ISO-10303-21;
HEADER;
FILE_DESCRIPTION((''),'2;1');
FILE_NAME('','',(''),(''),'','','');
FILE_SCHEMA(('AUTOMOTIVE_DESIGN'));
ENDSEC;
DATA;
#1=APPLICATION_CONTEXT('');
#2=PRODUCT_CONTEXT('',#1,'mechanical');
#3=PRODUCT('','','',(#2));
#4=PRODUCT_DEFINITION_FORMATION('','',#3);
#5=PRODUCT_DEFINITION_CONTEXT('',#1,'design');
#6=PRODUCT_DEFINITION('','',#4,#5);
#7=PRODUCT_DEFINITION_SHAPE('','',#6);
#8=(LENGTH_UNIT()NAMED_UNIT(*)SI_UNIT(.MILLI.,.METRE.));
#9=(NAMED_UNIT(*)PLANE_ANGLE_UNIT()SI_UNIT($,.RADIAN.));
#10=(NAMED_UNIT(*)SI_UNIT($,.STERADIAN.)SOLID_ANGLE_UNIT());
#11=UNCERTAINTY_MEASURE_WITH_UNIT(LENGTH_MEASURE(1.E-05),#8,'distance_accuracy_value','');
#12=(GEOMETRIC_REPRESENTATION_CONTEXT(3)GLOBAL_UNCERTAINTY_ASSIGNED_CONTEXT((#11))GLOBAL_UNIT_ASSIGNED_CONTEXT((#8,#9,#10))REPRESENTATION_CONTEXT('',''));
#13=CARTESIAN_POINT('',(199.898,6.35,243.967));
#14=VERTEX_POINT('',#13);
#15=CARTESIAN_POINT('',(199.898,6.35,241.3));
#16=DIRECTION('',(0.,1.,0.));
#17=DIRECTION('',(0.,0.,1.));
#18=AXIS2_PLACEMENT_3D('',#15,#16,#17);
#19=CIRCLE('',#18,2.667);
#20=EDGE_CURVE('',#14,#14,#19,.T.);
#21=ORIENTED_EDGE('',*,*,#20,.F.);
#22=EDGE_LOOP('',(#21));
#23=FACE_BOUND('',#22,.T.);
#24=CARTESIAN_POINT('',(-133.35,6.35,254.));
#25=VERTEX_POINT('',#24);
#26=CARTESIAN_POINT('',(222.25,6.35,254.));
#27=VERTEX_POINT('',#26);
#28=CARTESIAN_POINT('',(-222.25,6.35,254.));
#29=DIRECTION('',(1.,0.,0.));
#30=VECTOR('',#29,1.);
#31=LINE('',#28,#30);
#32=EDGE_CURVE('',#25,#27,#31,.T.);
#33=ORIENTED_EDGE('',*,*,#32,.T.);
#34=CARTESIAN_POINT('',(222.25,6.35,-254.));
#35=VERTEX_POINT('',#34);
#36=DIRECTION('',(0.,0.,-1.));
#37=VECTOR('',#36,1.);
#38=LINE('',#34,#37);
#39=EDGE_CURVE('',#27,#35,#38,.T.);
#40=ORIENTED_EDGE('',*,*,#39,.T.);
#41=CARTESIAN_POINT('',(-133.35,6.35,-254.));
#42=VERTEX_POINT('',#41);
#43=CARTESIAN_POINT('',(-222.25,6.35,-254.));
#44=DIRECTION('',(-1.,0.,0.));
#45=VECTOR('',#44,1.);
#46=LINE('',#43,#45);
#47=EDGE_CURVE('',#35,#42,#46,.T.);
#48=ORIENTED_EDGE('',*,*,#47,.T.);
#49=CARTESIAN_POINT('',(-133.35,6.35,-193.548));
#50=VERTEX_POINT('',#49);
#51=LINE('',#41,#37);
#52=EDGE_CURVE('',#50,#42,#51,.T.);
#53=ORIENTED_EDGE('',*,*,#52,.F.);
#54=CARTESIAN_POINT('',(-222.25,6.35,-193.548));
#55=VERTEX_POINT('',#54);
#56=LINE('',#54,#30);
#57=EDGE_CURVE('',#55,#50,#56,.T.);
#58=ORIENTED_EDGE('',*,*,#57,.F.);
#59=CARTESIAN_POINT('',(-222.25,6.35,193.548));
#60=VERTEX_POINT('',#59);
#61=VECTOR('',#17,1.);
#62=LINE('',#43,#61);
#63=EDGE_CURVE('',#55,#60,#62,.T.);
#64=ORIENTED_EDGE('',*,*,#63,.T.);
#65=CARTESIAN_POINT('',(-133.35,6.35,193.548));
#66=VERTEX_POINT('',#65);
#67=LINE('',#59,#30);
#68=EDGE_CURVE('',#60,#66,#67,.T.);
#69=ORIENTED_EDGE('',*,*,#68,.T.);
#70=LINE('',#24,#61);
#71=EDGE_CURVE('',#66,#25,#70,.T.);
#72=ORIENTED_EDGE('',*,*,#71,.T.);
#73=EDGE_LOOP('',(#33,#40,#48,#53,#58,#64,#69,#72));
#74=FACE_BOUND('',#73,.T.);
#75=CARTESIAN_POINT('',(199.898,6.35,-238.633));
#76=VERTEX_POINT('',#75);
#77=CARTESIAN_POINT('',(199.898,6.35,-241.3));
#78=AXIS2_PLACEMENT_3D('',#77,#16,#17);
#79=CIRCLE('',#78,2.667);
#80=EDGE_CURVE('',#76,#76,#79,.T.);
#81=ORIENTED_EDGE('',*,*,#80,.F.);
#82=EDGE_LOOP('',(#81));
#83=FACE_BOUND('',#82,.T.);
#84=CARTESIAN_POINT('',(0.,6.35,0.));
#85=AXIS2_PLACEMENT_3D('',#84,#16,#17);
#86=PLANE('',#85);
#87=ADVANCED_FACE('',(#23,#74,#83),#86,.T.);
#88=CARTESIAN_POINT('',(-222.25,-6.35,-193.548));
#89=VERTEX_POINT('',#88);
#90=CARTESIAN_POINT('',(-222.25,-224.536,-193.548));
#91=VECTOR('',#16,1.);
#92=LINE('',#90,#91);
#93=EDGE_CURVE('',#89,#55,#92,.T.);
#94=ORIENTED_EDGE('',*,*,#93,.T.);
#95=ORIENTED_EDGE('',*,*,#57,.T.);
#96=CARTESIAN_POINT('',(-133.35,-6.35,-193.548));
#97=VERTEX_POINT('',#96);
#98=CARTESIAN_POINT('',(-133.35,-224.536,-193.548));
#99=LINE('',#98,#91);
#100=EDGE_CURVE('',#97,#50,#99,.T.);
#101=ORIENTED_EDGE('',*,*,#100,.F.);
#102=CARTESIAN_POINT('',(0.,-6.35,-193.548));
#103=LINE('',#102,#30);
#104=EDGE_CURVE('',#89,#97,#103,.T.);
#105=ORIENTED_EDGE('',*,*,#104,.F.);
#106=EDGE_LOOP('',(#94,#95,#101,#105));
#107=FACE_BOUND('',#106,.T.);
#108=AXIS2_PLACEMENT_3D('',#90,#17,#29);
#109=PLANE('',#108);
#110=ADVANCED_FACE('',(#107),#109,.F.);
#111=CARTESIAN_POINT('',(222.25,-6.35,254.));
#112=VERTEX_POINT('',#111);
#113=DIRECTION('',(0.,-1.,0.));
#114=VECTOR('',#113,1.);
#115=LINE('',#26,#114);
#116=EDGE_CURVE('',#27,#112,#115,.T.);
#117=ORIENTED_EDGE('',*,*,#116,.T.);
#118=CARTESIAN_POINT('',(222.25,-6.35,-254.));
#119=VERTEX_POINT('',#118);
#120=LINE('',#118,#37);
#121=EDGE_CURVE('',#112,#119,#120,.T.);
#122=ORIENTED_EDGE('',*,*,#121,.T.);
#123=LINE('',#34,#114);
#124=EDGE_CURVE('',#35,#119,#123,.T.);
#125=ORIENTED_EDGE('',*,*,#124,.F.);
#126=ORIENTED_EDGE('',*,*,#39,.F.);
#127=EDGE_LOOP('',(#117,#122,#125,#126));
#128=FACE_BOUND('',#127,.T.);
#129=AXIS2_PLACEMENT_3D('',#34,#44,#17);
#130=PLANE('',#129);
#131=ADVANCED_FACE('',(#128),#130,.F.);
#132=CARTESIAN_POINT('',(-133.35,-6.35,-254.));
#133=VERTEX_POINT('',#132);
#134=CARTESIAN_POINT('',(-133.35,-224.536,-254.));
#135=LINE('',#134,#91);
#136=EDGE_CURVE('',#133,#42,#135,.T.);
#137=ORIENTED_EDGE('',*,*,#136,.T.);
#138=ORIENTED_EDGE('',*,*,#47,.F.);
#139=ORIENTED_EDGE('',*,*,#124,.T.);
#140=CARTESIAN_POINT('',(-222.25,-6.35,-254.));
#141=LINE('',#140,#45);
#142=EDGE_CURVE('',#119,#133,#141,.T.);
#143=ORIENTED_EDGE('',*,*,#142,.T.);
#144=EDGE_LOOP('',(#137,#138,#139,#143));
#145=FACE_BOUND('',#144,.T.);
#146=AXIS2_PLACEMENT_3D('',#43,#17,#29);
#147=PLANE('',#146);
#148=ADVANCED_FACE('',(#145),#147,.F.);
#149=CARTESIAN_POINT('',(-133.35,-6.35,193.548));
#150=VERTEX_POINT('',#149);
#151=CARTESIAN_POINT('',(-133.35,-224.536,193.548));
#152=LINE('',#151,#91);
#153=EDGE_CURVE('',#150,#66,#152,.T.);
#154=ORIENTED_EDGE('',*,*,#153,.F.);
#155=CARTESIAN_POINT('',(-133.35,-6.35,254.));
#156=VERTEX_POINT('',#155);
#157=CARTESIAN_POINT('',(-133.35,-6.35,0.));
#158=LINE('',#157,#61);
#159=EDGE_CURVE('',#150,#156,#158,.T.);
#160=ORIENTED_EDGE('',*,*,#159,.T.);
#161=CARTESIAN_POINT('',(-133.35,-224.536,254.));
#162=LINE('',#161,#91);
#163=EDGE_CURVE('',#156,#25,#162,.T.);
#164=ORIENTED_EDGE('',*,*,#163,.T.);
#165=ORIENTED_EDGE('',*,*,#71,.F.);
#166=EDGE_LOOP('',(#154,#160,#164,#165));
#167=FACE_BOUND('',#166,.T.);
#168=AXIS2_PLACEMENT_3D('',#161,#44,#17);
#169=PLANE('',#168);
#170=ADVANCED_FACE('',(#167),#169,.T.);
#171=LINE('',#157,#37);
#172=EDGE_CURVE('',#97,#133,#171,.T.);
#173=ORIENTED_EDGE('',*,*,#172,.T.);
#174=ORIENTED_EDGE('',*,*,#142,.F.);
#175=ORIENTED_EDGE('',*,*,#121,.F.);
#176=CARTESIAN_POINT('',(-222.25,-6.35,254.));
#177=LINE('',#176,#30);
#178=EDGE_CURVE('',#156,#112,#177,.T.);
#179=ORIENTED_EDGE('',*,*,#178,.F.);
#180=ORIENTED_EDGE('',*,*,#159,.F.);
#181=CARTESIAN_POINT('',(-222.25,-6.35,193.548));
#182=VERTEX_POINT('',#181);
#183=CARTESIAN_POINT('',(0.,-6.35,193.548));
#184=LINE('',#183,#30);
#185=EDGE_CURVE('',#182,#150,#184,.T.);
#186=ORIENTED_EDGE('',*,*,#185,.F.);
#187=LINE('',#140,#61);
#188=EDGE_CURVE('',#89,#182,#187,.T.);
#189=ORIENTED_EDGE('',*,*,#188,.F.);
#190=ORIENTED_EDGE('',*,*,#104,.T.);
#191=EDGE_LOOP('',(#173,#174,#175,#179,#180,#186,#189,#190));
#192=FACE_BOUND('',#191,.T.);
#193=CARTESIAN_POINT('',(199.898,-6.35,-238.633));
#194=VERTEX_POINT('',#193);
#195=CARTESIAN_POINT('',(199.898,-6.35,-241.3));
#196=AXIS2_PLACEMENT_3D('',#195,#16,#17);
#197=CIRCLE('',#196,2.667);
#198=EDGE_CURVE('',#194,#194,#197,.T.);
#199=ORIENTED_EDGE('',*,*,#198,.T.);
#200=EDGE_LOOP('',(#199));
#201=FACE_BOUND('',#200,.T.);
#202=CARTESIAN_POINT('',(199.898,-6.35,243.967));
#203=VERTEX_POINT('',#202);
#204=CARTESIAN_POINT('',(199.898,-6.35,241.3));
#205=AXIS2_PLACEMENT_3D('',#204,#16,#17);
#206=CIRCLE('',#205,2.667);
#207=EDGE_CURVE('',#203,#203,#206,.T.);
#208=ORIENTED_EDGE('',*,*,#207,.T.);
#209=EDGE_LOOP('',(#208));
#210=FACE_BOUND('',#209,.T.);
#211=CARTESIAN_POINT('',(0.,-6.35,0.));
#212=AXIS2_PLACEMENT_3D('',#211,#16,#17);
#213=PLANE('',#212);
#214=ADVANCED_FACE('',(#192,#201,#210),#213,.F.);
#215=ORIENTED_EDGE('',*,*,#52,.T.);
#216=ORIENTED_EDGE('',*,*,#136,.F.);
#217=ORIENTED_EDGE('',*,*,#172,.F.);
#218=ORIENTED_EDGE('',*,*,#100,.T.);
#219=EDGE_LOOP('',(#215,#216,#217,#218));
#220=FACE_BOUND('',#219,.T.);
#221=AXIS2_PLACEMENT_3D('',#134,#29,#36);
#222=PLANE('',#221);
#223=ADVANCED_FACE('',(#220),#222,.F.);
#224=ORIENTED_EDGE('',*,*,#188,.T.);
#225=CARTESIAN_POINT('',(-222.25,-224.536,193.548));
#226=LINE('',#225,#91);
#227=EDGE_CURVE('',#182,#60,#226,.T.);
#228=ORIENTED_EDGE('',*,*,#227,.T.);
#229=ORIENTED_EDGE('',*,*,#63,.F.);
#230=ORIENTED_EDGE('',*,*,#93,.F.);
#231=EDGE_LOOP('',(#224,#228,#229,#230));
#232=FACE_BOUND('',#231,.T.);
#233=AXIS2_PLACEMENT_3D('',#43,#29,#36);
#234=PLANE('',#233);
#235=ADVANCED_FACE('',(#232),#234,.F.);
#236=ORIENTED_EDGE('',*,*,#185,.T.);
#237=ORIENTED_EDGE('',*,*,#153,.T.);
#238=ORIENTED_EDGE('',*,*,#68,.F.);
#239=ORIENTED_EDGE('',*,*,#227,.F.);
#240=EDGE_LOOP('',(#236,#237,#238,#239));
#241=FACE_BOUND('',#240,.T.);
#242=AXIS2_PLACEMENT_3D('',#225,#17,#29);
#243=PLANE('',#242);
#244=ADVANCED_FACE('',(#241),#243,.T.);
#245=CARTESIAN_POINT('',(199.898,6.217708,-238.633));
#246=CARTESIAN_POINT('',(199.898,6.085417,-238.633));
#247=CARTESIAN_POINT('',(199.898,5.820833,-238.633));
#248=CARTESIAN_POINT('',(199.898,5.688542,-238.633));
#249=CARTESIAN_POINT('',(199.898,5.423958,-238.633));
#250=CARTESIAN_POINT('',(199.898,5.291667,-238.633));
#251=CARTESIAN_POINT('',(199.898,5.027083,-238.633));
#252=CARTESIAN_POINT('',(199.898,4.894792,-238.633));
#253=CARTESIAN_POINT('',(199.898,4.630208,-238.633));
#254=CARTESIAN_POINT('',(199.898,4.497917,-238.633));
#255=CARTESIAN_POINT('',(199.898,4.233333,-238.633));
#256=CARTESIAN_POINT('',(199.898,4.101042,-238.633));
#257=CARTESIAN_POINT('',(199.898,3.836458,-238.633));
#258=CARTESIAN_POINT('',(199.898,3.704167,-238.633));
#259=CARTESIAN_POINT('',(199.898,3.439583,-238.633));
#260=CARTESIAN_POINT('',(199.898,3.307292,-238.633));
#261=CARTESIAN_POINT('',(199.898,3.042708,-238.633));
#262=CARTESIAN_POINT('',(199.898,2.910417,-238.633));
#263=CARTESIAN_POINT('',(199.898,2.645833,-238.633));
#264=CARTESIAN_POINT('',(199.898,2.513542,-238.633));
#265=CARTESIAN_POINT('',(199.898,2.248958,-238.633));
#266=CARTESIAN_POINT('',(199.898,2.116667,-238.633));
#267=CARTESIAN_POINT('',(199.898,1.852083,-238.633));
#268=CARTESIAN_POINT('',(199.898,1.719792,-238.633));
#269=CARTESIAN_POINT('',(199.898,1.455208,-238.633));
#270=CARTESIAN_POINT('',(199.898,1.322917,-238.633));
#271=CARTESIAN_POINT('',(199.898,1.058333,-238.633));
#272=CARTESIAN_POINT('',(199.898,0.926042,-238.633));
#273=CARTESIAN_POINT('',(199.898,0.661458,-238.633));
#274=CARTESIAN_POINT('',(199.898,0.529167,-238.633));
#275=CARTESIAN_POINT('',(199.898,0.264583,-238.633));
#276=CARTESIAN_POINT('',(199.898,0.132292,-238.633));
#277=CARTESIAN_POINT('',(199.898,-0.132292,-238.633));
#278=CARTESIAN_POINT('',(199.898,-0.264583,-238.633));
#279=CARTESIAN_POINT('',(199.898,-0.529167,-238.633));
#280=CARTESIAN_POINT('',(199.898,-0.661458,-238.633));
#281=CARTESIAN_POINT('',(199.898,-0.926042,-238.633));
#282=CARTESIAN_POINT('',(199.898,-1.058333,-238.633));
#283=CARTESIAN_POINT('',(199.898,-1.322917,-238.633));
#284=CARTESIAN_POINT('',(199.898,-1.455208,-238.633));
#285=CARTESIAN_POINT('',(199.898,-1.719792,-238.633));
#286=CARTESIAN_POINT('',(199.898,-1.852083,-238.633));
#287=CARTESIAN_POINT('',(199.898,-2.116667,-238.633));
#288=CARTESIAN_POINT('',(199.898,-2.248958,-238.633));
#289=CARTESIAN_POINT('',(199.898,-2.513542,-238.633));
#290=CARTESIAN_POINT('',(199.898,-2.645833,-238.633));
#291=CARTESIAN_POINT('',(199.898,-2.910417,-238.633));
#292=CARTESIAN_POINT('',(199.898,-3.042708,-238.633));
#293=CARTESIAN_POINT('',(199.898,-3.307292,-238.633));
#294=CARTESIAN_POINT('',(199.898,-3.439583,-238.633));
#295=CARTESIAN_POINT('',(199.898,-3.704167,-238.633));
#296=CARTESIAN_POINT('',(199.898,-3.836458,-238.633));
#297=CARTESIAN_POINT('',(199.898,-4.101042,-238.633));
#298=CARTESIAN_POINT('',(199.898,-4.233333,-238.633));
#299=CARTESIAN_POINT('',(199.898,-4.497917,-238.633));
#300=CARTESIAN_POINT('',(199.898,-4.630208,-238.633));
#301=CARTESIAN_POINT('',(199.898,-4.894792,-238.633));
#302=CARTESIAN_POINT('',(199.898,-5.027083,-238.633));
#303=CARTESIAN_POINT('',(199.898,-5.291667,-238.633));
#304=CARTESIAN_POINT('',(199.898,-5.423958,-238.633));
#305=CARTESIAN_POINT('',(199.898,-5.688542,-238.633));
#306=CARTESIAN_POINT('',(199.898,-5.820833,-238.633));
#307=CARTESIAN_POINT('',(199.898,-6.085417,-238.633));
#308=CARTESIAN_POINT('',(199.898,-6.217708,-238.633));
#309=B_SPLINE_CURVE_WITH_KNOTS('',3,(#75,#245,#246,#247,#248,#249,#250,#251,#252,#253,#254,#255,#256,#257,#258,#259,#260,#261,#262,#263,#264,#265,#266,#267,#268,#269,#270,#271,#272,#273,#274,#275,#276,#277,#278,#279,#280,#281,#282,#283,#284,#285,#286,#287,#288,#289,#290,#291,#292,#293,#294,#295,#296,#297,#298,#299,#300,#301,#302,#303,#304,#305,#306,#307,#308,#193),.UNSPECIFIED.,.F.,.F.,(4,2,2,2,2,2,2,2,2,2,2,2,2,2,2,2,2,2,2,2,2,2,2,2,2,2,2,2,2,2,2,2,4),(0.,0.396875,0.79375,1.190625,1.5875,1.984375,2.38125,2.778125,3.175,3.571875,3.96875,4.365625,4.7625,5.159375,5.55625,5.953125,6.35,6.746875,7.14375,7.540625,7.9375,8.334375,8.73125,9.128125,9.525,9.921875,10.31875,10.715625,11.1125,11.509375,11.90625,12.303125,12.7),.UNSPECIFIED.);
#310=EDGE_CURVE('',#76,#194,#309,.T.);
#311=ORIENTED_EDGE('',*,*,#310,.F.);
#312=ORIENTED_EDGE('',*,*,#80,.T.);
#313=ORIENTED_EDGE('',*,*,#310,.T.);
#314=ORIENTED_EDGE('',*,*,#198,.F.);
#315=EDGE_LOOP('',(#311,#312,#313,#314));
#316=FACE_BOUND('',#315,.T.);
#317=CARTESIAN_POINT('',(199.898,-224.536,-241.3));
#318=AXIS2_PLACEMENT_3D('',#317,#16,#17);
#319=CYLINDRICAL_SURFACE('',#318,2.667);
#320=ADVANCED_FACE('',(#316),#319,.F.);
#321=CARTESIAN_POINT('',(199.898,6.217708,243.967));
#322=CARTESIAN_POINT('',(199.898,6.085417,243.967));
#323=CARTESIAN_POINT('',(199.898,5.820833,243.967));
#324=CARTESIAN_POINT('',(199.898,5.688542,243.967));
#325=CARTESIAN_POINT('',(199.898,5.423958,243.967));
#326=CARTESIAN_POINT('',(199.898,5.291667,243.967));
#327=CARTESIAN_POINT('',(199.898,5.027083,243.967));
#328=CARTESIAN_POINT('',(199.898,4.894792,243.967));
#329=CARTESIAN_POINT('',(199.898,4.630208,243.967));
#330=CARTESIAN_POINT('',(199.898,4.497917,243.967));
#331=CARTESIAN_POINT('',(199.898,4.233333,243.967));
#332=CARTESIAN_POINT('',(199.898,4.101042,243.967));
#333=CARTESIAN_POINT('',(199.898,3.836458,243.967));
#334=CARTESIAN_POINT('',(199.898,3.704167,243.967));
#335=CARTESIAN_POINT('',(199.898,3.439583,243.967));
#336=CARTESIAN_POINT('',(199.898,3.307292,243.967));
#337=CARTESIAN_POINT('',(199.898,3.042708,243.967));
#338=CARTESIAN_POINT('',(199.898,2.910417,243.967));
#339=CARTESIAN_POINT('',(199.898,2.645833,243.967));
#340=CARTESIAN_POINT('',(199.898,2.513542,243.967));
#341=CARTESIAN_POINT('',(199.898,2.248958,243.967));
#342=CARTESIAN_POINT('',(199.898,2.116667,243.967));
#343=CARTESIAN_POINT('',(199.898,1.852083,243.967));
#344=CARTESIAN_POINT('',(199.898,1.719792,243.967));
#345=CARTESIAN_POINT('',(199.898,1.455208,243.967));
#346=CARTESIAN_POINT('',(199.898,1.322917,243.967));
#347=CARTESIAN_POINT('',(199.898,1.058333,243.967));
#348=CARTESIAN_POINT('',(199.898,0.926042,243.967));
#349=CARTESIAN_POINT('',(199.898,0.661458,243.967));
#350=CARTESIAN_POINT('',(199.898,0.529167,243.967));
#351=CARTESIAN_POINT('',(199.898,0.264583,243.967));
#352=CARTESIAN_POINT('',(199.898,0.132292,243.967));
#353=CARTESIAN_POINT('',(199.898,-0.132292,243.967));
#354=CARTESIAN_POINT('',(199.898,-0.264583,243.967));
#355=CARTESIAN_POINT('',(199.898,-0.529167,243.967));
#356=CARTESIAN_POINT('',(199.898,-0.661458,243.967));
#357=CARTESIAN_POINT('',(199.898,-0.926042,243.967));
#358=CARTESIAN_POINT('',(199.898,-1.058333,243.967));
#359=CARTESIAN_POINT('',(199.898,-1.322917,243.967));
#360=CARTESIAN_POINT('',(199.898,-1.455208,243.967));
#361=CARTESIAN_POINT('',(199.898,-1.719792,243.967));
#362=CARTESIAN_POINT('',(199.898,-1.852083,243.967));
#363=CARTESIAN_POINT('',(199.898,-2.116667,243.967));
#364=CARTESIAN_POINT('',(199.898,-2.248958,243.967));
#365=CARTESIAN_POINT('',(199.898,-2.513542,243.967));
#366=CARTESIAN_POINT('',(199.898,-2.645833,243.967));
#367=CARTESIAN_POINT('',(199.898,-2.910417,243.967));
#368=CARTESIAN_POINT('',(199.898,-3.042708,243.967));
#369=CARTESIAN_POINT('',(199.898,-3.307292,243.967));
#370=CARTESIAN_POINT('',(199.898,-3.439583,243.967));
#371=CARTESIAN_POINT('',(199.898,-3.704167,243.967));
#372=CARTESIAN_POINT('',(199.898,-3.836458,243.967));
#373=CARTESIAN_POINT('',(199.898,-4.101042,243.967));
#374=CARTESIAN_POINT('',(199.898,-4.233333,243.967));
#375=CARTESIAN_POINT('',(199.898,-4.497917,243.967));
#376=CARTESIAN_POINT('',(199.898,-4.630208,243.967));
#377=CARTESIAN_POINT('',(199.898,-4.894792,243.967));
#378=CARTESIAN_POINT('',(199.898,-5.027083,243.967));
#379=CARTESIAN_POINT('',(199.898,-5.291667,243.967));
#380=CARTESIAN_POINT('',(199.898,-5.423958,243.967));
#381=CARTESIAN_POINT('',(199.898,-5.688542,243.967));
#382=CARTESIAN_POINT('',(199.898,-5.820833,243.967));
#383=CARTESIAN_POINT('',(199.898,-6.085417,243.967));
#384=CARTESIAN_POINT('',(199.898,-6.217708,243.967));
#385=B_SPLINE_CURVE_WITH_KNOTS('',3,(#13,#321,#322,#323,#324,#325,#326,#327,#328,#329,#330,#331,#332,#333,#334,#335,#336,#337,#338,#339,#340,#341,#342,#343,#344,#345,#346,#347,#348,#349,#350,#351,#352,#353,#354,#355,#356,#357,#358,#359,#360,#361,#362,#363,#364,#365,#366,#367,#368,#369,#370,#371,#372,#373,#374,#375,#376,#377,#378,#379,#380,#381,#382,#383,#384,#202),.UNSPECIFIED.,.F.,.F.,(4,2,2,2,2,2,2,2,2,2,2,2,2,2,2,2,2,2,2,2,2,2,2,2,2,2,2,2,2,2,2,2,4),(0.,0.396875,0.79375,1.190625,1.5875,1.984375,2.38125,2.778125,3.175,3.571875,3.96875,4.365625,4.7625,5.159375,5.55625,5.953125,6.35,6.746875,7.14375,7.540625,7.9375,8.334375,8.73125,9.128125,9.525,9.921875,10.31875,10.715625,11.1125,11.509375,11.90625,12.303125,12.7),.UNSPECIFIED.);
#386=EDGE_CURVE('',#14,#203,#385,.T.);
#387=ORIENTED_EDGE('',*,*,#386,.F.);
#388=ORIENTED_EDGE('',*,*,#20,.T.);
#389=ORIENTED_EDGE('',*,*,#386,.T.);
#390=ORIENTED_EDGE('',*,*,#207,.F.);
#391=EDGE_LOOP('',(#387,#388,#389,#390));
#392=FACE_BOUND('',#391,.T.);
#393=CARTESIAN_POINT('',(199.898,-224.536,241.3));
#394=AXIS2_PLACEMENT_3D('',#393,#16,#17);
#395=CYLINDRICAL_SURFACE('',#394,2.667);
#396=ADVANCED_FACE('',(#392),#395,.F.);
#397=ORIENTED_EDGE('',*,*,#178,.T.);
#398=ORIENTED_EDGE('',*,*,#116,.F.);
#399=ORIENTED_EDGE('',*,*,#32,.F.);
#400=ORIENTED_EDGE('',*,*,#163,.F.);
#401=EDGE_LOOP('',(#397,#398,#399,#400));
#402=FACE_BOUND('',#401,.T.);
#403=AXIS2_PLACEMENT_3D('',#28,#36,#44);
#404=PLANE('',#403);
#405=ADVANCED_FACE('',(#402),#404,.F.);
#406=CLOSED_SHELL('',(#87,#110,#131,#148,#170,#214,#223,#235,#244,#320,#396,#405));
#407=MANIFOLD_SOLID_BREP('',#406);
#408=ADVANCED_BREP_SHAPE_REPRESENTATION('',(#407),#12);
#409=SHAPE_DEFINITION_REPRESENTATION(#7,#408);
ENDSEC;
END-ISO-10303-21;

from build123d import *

# Parameters (mm, degrees)
SKETCH1_W           = 444.5
SKETCH1_H           = 508
BOSS_EXTRUDE1_DEPTH = 6.35
SKETCH2_W           = 88.9
SKETCH2_H           = 60.452
CUT_EXTRUDE1_DEPTH  = 230.886
SKETCH3_R           = 2.667
CUT_EXTRUDE2_DEPTH  = 230.886


with BuildPart() as part:
    # Sketch1 → Boss-Extrude1 (new, symmetric)
    with BuildSketch(Plane(origin=(0, 0, 0), x_dir=(1, 0, 0), z_dir=(0, 1, 0))):
        Rectangle(SKETCH1_W, SKETCH1_H)
    extrude(amount=BOSS_EXTRUDE1_DEPTH, both=True)

    # Sketch2 → Cut-Extrude1 (cut)
    with BuildSketch(Plane(origin=(0, 6.35, 0), x_dir=(1, 0, 0), z_dir=(0, 1, 0))):
        with Locations((-177.8, 223.774)):
            Rectangle(SKETCH2_W, SKETCH2_H)
    cut_extrude1 = extrude(amount=-CUT_EXTRUDE1_DEPTH, mode=Mode.SUBTRACT)

    # Mirror1: Cut-Extrude1 across plane
    add(cut_extrude1.mirror(Plane.XY), mode=Mode.SUBTRACT)

    # Sketch3 → Cut-Extrude2 (cut)
    with BuildSketch(Plane(origin=(0, 6.35, 0), x_dir=(1, 0, 0), z_dir=(0, 1, 0))):
        with Locations(Location((199.898, -241.3, 0), (0, 0, 270))):
            Circle(SKETCH3_R)
        with Locations(Location((199.898, 241.3, 0), (0, 0, 270))):
            Circle(SKETCH3_R)
    extrude(amount=-CUT_EXTRUDE2_DEPTH, mode=Mode.SUBTRACT)


solid = part.part
